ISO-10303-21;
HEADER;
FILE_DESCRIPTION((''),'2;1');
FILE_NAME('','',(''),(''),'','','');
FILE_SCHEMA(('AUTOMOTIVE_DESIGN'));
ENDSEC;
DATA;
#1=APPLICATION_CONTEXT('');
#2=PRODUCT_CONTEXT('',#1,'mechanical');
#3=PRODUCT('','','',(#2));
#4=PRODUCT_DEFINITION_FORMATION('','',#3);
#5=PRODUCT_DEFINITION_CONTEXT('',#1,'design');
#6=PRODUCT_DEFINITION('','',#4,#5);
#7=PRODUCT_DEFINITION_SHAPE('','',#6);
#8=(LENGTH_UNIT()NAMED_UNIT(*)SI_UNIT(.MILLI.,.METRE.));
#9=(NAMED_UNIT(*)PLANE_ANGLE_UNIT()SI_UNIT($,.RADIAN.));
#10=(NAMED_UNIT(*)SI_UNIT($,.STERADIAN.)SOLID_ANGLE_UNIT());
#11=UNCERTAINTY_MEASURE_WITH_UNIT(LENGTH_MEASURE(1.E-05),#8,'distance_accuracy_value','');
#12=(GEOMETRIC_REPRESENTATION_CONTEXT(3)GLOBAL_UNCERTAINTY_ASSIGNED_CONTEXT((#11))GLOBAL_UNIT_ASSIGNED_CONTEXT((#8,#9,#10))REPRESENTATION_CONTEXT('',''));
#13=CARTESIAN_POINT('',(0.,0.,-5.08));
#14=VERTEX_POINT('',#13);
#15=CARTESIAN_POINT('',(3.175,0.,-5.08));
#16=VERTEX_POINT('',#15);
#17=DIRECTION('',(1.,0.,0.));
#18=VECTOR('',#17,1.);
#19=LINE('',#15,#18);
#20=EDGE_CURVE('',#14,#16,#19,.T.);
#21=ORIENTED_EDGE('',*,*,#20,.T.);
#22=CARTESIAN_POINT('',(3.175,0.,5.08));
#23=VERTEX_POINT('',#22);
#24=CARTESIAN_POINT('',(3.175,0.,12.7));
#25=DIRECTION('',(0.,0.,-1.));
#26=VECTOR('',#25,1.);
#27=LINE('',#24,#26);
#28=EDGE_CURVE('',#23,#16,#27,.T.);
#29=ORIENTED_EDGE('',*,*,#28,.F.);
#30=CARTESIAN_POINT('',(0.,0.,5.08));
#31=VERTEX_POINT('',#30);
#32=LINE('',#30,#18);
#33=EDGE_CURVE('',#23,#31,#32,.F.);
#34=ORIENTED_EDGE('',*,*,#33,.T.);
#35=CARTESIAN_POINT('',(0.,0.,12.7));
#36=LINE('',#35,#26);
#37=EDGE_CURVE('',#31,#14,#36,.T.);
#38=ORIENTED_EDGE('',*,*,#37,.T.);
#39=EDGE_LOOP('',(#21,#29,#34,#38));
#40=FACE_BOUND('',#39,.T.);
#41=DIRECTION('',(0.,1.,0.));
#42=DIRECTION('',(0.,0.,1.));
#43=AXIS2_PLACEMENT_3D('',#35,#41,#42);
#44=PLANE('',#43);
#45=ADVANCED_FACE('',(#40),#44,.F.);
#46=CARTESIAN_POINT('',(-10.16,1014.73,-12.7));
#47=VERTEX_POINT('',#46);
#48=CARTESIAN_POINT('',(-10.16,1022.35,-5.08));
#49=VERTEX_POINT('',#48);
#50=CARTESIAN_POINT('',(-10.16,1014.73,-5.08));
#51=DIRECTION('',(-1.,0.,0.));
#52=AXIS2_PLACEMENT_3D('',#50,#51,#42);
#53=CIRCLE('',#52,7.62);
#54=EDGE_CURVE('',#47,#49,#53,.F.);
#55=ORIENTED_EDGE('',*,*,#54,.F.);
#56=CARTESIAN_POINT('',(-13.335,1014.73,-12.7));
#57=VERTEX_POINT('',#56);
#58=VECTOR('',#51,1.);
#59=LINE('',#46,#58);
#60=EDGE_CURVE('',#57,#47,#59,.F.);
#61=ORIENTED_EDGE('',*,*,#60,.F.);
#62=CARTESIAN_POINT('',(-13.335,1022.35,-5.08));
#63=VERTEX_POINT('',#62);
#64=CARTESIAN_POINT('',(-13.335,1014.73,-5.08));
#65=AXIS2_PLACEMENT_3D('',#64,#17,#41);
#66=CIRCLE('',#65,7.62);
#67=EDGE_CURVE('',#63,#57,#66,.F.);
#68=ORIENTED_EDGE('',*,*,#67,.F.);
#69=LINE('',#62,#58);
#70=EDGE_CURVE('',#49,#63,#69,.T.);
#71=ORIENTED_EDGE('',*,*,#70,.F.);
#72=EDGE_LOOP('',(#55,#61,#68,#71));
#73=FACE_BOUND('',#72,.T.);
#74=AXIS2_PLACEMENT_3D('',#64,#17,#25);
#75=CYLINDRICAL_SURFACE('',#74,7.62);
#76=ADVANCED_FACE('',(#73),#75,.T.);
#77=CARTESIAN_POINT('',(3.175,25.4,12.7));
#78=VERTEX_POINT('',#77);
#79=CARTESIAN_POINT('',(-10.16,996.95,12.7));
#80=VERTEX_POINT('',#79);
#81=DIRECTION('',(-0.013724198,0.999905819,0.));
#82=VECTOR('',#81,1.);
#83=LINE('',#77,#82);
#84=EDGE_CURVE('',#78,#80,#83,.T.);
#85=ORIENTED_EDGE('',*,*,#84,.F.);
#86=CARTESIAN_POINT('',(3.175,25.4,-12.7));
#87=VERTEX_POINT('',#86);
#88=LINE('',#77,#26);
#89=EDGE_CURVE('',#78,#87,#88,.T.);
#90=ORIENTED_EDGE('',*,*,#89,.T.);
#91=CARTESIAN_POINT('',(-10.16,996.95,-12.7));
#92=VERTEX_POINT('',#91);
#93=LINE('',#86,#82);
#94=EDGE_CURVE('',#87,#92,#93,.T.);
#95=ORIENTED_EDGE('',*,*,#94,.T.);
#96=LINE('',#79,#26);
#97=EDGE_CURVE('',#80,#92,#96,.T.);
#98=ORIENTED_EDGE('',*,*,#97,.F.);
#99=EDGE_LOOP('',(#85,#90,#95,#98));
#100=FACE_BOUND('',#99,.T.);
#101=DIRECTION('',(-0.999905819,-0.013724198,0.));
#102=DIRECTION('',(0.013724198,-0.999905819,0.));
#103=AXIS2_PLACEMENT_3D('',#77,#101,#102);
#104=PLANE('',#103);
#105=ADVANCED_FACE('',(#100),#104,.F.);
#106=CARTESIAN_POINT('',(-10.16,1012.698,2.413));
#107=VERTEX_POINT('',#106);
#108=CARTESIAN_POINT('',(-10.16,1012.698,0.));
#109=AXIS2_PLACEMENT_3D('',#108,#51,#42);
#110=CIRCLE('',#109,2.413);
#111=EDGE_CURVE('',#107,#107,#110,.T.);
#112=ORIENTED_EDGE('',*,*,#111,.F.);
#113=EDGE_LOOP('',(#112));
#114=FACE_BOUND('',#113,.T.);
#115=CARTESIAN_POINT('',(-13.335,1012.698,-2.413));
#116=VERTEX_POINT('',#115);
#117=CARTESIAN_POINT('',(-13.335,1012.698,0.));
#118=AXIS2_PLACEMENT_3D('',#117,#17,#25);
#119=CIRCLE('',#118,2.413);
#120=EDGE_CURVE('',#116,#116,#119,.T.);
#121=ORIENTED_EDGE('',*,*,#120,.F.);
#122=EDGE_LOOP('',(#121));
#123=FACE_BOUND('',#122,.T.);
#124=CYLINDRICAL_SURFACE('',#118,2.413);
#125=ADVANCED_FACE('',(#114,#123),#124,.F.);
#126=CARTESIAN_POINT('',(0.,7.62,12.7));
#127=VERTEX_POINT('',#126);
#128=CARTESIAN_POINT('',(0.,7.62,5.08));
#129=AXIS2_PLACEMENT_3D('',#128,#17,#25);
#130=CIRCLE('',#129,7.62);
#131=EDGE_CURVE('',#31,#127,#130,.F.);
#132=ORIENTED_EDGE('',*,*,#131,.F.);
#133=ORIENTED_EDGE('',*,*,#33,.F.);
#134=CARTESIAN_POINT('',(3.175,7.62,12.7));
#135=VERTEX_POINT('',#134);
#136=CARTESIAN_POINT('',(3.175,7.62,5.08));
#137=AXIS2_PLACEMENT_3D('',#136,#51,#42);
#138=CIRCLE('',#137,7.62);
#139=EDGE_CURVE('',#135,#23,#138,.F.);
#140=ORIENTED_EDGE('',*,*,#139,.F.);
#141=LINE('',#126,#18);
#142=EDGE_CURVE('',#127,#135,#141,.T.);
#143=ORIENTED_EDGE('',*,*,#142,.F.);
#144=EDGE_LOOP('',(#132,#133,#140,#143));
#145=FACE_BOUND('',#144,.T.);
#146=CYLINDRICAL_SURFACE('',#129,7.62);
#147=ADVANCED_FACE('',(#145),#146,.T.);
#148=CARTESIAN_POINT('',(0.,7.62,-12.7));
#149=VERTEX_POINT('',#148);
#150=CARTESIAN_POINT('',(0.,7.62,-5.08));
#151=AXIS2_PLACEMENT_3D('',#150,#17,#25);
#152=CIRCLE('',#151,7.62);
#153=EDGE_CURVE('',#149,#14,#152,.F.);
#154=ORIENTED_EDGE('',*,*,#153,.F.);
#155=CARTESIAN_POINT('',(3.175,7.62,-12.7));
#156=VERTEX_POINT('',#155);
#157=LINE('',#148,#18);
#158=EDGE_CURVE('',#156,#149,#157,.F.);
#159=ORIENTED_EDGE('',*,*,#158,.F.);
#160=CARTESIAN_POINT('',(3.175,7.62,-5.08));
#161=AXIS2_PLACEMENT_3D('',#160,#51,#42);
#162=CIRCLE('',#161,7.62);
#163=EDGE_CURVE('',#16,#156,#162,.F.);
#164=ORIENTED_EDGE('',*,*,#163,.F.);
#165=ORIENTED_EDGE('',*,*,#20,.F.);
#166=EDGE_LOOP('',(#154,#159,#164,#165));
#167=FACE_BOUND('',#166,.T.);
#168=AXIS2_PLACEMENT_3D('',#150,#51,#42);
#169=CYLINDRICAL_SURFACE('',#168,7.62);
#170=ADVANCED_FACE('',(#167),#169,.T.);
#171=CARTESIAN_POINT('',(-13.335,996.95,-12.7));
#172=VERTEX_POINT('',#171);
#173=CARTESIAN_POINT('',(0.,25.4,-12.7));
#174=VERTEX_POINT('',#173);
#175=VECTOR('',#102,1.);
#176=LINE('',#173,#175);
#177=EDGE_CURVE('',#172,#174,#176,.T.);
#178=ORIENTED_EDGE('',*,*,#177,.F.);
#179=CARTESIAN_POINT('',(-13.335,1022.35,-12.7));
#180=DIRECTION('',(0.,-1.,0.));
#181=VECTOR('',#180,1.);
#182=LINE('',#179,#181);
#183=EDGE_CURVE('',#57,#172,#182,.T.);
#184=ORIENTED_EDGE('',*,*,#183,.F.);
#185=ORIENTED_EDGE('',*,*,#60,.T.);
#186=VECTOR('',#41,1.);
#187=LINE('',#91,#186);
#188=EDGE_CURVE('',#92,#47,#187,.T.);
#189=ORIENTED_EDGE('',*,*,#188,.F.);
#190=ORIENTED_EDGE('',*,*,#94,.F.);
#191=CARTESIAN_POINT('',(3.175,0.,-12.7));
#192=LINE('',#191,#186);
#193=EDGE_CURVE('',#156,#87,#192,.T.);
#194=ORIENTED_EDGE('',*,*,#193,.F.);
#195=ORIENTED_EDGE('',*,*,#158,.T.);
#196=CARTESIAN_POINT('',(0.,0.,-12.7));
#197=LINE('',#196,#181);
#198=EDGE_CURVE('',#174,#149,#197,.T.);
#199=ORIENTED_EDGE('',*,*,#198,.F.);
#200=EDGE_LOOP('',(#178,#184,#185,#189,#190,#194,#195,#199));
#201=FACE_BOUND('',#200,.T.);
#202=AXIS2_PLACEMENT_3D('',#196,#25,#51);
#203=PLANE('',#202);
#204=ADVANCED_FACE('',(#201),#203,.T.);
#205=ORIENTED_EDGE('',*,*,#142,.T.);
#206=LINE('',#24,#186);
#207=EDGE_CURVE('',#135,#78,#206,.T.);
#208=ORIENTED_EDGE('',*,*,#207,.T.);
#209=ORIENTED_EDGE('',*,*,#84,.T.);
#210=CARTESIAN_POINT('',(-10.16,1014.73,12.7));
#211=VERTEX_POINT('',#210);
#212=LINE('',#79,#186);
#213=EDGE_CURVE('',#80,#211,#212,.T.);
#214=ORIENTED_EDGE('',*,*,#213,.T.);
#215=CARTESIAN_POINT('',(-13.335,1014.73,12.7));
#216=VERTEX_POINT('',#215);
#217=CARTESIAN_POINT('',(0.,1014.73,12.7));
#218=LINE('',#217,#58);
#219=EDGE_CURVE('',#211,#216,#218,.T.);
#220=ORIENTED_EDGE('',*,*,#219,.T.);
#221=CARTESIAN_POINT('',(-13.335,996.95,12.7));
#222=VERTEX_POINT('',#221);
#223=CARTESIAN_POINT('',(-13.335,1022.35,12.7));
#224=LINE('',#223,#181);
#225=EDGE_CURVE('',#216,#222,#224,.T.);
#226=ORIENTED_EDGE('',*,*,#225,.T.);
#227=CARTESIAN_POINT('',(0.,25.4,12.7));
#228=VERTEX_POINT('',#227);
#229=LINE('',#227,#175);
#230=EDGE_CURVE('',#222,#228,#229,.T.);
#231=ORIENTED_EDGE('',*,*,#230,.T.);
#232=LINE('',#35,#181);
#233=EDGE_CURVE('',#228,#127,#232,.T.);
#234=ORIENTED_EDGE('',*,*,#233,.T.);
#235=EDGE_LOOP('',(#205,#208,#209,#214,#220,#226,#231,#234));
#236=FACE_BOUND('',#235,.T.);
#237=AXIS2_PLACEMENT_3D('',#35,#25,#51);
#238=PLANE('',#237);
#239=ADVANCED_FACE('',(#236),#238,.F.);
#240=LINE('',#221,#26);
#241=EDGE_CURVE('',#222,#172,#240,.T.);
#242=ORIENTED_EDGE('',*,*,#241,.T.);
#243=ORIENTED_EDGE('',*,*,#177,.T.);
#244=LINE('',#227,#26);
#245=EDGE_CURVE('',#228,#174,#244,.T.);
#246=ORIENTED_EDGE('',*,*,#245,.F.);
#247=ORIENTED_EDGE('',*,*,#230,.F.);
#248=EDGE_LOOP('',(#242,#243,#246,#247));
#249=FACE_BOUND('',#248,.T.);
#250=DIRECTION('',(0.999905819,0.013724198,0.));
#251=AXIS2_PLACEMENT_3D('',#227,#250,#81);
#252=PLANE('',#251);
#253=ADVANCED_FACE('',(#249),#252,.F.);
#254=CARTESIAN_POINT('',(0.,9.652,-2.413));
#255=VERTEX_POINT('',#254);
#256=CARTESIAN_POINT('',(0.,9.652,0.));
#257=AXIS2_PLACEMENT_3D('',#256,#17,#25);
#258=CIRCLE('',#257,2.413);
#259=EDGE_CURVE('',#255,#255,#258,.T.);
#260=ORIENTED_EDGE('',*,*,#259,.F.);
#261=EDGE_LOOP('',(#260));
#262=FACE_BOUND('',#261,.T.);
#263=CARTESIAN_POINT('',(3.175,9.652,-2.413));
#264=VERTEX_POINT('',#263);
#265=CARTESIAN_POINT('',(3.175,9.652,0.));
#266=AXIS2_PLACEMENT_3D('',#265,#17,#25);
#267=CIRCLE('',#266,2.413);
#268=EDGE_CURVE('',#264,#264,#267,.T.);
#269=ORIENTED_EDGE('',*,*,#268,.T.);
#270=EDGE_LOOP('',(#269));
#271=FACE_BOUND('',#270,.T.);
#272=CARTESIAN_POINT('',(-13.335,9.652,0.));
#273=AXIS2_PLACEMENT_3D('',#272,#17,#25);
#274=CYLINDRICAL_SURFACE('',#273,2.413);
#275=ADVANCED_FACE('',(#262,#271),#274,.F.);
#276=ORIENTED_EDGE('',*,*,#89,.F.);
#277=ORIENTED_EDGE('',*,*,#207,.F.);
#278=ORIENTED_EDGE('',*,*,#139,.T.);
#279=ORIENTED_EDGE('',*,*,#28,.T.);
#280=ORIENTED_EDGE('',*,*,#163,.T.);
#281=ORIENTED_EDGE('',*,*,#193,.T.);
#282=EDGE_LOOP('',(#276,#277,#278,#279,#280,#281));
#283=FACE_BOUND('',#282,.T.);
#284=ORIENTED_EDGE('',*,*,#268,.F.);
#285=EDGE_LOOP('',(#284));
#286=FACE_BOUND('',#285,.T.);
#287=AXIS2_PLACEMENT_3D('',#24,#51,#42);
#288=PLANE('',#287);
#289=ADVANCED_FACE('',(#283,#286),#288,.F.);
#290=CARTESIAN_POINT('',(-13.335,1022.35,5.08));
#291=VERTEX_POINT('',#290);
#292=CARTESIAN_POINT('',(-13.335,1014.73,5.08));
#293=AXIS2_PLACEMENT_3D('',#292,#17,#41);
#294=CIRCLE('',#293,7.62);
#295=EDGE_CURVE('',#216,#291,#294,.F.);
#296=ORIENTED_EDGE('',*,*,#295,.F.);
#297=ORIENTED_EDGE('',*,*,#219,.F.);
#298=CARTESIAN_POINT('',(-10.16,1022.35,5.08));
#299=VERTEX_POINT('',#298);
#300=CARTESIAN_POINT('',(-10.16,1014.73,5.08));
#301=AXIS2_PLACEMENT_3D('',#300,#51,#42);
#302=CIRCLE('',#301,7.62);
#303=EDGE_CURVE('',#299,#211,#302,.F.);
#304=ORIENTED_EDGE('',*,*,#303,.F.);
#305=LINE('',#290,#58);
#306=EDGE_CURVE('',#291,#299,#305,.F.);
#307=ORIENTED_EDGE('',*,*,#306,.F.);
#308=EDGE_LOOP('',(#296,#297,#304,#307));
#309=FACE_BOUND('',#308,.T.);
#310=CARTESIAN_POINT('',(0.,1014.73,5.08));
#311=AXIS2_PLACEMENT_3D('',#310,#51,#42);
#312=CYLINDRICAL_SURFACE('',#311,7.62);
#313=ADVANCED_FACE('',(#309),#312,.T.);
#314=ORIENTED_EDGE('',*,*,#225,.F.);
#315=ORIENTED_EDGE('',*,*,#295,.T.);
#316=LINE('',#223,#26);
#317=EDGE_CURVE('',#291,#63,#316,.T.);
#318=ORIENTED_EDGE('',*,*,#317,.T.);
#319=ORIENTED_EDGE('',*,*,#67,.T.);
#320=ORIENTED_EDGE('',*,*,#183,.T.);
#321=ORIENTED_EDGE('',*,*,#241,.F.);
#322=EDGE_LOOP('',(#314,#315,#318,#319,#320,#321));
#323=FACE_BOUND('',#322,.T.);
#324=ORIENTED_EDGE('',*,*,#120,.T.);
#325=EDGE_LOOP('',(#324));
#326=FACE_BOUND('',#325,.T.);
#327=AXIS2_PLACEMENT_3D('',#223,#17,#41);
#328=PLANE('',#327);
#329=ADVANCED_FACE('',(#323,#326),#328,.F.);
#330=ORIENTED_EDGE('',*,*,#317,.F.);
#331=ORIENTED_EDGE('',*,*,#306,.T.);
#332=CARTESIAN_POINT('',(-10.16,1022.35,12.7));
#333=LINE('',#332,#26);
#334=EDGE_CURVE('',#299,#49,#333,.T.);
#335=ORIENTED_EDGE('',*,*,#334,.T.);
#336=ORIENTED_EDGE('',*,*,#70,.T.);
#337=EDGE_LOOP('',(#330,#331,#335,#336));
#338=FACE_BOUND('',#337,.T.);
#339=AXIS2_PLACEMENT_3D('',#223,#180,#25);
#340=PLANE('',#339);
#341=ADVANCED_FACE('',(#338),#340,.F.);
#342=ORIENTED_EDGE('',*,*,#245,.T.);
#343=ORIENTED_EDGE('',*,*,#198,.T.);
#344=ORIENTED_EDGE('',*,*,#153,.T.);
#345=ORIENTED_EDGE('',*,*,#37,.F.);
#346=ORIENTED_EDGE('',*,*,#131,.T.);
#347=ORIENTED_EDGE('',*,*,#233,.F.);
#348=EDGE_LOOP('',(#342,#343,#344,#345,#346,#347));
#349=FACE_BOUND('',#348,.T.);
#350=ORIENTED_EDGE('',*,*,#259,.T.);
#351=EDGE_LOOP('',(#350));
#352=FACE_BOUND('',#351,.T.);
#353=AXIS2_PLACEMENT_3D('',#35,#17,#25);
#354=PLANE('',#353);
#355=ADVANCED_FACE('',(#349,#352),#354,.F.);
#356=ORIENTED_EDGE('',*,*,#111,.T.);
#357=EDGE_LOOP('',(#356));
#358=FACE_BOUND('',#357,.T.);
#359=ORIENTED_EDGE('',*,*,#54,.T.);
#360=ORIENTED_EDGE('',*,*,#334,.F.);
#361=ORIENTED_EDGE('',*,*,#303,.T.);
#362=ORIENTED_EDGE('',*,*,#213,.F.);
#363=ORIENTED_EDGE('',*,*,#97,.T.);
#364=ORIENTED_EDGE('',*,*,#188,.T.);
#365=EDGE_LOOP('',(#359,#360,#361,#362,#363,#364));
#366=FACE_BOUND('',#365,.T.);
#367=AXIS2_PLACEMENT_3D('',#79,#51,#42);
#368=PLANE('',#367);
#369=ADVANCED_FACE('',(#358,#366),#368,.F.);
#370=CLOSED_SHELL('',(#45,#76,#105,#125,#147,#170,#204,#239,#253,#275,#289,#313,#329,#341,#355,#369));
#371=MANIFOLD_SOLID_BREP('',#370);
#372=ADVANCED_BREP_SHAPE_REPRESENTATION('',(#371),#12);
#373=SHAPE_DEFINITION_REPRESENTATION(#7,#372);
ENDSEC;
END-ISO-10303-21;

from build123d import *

# Parameters (mm, degrees)
BOSS_EXTRUDE1_DEPTH     = 12.7
FILLET1_R               = 7.62
CUT_EXTRUDE1_DEPTH      = 1023.515835929
CUT_EXTRUDE1_DEPTH_BACK = 1023.515835929
SKETCH2_R               = 2.413


with BuildPart() as part:
    # Sketch1 → Boss-Extrude1 (new, symmetric)
    with BuildSketch(Plane.XY):
        Polygon((0, 0), (3.175, 0), (3.175, 25.4), (-10.16, 996.95), (-10.16, 1022.35), (-13.335, 1022.35), (-13.335, 996.95), (0, 25.4), align=None)
    extrude(amount=BOSS_EXTRUDE1_DEPTH, both=True)

    # Fillet1
    fillet1_edges = [part.edges().sort_by_distance(p)[0] for p in [
        (1.5875, 0, -12.7),
        (-11.7475, 1022.35, 12.7),
        (1.5875, 0, 12.7),
        (-11.7475, 1022.35, -12.7),
    ]]
    fillet(fillet1_edges, radius=FILLET1_R)

    # Sketch2 → Cut-Extrude1 (cut, two sides: drawn at the far end of the back side and taken through both)
    with BuildSketch(Plane(origin=(-10.16, 0, 0), x_dir=(0, 0, -1), z_dir=(1, 0, 0)).offset(-CUT_EXTRUDE1_DEPTH_BACK)):
        with Locations((0, 1012.698)):
            Circle(SKETCH2_R)
        with Locations((0, 9.652)):
            Circle(SKETCH2_R)
    extrude(amount=CUT_EXTRUDE1_DEPTH + CUT_EXTRUDE1_DEPTH_BACK, mode=Mode.SUBTRACT)


solid = part.part
